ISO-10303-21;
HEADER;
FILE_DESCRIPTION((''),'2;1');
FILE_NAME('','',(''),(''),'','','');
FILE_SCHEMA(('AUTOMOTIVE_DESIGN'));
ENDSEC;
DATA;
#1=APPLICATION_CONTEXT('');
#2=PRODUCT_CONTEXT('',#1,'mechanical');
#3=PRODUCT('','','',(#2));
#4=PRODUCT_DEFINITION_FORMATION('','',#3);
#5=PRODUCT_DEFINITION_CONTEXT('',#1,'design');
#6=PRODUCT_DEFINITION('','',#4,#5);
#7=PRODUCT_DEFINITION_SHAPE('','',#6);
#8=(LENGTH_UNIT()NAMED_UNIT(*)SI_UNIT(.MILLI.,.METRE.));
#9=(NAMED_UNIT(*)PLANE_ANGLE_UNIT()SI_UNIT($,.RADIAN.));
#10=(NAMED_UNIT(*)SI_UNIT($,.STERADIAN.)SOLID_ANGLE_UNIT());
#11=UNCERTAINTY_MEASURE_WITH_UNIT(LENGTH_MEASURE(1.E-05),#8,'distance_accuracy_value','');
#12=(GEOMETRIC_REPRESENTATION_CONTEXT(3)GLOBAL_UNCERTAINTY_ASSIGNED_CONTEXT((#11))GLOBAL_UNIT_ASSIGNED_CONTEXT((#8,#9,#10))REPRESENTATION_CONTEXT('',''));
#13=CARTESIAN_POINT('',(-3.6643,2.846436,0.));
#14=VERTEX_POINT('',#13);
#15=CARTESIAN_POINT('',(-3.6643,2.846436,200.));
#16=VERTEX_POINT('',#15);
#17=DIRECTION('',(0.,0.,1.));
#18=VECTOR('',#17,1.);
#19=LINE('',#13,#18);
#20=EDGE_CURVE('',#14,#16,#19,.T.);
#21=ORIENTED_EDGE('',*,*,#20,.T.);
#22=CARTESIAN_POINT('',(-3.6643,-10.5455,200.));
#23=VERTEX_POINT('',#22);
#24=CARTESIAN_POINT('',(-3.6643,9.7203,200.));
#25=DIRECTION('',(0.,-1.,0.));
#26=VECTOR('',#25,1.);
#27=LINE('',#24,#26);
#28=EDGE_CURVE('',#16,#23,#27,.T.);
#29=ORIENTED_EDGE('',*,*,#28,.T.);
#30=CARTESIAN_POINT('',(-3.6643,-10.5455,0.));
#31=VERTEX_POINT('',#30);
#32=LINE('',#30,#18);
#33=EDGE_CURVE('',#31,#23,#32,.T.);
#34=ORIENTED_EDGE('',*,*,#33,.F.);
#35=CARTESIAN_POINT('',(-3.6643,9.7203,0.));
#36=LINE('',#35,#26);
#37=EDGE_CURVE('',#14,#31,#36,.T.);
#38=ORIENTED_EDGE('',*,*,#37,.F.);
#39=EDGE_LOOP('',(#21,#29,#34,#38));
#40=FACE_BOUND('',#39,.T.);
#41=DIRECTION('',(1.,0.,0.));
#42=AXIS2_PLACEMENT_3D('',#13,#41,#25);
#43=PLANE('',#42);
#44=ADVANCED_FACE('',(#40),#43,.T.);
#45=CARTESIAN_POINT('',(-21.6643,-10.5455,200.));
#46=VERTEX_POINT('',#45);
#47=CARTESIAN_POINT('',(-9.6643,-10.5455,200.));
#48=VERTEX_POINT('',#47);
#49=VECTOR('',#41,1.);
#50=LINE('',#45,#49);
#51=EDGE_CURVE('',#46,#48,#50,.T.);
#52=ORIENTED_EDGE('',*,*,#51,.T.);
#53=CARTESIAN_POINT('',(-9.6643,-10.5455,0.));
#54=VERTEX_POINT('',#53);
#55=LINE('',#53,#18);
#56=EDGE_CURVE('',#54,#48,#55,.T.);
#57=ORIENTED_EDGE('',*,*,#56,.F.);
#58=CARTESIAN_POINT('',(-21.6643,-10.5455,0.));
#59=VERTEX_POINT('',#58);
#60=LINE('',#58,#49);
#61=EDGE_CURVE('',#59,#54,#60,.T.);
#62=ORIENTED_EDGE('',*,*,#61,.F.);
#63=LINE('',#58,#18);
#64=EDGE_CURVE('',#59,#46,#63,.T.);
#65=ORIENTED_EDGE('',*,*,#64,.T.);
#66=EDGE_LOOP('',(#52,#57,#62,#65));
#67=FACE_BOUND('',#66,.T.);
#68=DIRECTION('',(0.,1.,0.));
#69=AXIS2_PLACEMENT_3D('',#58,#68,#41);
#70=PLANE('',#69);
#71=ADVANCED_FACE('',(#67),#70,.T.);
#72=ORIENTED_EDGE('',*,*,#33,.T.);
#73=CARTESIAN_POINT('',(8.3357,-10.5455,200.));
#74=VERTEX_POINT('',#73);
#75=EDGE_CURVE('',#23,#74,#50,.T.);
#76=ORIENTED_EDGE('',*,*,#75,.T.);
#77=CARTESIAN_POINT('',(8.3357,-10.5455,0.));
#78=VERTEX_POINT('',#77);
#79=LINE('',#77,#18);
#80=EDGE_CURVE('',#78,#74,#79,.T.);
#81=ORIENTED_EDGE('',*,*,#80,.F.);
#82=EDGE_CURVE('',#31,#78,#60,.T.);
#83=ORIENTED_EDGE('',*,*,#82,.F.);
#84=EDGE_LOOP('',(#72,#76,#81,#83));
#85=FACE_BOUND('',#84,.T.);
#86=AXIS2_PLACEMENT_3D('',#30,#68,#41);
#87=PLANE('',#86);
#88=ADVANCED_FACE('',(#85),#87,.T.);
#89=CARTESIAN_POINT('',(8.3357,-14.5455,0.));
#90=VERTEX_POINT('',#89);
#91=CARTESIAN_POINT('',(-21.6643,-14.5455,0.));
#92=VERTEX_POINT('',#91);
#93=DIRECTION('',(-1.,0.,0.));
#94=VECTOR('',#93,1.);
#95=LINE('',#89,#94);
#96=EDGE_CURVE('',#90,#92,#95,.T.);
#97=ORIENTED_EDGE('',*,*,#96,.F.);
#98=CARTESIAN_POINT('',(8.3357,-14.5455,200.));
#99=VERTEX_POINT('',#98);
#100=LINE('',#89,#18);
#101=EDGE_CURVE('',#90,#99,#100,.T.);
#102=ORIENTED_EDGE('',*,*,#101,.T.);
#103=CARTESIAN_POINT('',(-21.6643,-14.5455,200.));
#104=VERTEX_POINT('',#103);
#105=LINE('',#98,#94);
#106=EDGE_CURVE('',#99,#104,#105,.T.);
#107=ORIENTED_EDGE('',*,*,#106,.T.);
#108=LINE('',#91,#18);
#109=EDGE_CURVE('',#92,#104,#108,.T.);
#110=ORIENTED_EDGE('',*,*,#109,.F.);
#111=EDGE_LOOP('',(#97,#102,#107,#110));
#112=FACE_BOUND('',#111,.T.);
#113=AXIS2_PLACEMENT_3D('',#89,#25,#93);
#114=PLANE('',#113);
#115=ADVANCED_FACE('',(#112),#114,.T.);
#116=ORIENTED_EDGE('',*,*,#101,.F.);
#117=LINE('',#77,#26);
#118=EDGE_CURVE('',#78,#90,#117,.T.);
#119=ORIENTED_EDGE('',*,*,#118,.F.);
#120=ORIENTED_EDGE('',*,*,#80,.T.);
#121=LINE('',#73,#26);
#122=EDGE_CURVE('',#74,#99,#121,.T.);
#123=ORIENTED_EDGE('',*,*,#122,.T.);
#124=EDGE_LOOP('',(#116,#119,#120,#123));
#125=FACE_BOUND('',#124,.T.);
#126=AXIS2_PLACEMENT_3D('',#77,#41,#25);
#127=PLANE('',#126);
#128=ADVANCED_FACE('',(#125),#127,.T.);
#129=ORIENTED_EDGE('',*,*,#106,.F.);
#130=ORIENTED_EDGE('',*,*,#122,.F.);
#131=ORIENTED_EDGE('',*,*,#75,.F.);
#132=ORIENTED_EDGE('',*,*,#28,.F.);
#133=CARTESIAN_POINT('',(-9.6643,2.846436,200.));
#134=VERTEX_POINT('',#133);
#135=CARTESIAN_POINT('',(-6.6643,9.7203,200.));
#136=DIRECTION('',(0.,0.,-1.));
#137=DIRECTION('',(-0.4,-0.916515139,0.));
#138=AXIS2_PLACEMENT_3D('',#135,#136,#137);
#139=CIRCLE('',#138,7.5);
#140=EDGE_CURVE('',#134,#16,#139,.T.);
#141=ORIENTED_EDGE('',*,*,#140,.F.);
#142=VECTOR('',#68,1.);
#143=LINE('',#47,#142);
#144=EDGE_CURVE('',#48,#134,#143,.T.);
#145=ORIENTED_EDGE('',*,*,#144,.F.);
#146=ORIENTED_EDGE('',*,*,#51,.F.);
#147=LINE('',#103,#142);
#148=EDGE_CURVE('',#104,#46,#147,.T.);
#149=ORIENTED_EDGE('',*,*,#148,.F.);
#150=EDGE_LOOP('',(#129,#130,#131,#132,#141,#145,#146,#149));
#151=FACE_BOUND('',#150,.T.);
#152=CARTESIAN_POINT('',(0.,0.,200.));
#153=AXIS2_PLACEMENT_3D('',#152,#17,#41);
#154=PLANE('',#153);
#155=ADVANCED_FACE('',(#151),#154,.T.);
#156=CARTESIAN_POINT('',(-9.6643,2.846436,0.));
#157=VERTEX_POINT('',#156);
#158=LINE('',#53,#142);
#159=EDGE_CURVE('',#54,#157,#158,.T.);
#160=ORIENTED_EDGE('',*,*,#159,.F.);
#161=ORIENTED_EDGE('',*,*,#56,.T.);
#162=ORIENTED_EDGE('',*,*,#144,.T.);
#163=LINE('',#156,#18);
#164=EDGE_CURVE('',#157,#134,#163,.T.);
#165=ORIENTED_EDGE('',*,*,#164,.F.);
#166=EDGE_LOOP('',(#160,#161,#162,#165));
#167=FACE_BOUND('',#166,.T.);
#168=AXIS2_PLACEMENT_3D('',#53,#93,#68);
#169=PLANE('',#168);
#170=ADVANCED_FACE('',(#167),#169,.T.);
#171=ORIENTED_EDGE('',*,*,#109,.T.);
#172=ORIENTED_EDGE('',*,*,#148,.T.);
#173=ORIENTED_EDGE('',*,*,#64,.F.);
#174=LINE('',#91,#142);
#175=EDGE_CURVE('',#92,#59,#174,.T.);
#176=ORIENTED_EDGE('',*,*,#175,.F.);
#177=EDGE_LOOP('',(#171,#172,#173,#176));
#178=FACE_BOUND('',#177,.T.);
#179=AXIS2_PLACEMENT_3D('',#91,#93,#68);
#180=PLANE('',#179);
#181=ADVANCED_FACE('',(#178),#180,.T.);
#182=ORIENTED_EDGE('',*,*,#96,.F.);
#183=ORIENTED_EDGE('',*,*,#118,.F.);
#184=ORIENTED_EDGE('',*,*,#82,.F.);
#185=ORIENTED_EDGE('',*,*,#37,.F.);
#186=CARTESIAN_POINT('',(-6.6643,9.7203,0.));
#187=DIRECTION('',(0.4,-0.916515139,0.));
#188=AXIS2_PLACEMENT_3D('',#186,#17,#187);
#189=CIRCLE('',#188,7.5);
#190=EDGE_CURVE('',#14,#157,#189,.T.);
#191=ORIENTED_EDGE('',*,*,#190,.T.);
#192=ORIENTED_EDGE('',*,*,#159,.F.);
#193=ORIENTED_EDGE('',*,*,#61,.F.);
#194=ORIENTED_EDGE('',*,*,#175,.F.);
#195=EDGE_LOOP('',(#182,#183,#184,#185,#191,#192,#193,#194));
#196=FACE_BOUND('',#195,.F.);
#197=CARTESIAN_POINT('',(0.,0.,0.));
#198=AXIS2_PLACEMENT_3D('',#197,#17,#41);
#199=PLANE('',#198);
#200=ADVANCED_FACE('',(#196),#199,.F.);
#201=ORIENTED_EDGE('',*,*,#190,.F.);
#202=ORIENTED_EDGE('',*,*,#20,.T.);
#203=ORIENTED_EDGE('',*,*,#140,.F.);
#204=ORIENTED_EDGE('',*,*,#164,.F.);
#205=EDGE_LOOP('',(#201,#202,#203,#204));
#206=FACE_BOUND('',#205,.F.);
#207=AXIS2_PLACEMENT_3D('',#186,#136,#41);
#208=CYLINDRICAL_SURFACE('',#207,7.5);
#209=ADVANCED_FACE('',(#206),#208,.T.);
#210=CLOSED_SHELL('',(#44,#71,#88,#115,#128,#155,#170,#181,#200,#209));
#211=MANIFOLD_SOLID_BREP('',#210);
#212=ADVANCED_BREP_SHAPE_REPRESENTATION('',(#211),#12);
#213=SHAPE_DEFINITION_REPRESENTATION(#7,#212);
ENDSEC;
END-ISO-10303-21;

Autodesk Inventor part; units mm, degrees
ref_plane "YZ Plane" through (0, 0, 0) normal (1, 0, 0) x (0, 1, 0)
ref_plane "XZ Plane" through (0, 0, 0) normal (0, 1, 0) x (-1, 0, 0)
ref_plane "XY Plane" through (0, 0, 0) normal (0, 0, 1) x (1, 0, 0)
sketch "Sketch1" plane through (0, 0, 0) normal (0, 0, 1) x (1, 0, 0)
  circle A0 centre (-6.6643, 9.7203) radius 7.5
  line L0 (-9.6643, 9.7203) -> (-3.6643, 9.7203)
  line L1 (-3.6643, 9.7203) -> (-3.6643, -10.5455)
  line L2 (-3.6643, -10.5455) -> (-9.6643, -10.5455)
  line L3 (-9.6643, -10.5455) -> (-9.6643, 9.7203)
  line L4 (-21.6643, -10.5455) -> (8.3357, -10.5455)
  line L5 (8.3357, -10.5455) -> (8.3357, -14.5455)
  line L6 (8.3357, -14.5455) -> (-21.6643, -14.5455)
  line L7 (-21.6643, -14.5455) -> (-21.6643, -10.5455)
  point P0 (0, 0)
  point P1 (0, 0)
  dimension "d0" = 15
  dimension "d1" = 6
  dimension "d2" = 4
  dimension "d3" = 30
  dimension "d4" = 12
  dimension "d5" = 3
  dimension "d6" = 3
  dimension "d7" = 12
  dimension "d8" = 0
extrude "Extrusion1" add sketch "Sketch1" along normal blind 200
equation "\"d4\" = d7"
properties part number "z rail"
